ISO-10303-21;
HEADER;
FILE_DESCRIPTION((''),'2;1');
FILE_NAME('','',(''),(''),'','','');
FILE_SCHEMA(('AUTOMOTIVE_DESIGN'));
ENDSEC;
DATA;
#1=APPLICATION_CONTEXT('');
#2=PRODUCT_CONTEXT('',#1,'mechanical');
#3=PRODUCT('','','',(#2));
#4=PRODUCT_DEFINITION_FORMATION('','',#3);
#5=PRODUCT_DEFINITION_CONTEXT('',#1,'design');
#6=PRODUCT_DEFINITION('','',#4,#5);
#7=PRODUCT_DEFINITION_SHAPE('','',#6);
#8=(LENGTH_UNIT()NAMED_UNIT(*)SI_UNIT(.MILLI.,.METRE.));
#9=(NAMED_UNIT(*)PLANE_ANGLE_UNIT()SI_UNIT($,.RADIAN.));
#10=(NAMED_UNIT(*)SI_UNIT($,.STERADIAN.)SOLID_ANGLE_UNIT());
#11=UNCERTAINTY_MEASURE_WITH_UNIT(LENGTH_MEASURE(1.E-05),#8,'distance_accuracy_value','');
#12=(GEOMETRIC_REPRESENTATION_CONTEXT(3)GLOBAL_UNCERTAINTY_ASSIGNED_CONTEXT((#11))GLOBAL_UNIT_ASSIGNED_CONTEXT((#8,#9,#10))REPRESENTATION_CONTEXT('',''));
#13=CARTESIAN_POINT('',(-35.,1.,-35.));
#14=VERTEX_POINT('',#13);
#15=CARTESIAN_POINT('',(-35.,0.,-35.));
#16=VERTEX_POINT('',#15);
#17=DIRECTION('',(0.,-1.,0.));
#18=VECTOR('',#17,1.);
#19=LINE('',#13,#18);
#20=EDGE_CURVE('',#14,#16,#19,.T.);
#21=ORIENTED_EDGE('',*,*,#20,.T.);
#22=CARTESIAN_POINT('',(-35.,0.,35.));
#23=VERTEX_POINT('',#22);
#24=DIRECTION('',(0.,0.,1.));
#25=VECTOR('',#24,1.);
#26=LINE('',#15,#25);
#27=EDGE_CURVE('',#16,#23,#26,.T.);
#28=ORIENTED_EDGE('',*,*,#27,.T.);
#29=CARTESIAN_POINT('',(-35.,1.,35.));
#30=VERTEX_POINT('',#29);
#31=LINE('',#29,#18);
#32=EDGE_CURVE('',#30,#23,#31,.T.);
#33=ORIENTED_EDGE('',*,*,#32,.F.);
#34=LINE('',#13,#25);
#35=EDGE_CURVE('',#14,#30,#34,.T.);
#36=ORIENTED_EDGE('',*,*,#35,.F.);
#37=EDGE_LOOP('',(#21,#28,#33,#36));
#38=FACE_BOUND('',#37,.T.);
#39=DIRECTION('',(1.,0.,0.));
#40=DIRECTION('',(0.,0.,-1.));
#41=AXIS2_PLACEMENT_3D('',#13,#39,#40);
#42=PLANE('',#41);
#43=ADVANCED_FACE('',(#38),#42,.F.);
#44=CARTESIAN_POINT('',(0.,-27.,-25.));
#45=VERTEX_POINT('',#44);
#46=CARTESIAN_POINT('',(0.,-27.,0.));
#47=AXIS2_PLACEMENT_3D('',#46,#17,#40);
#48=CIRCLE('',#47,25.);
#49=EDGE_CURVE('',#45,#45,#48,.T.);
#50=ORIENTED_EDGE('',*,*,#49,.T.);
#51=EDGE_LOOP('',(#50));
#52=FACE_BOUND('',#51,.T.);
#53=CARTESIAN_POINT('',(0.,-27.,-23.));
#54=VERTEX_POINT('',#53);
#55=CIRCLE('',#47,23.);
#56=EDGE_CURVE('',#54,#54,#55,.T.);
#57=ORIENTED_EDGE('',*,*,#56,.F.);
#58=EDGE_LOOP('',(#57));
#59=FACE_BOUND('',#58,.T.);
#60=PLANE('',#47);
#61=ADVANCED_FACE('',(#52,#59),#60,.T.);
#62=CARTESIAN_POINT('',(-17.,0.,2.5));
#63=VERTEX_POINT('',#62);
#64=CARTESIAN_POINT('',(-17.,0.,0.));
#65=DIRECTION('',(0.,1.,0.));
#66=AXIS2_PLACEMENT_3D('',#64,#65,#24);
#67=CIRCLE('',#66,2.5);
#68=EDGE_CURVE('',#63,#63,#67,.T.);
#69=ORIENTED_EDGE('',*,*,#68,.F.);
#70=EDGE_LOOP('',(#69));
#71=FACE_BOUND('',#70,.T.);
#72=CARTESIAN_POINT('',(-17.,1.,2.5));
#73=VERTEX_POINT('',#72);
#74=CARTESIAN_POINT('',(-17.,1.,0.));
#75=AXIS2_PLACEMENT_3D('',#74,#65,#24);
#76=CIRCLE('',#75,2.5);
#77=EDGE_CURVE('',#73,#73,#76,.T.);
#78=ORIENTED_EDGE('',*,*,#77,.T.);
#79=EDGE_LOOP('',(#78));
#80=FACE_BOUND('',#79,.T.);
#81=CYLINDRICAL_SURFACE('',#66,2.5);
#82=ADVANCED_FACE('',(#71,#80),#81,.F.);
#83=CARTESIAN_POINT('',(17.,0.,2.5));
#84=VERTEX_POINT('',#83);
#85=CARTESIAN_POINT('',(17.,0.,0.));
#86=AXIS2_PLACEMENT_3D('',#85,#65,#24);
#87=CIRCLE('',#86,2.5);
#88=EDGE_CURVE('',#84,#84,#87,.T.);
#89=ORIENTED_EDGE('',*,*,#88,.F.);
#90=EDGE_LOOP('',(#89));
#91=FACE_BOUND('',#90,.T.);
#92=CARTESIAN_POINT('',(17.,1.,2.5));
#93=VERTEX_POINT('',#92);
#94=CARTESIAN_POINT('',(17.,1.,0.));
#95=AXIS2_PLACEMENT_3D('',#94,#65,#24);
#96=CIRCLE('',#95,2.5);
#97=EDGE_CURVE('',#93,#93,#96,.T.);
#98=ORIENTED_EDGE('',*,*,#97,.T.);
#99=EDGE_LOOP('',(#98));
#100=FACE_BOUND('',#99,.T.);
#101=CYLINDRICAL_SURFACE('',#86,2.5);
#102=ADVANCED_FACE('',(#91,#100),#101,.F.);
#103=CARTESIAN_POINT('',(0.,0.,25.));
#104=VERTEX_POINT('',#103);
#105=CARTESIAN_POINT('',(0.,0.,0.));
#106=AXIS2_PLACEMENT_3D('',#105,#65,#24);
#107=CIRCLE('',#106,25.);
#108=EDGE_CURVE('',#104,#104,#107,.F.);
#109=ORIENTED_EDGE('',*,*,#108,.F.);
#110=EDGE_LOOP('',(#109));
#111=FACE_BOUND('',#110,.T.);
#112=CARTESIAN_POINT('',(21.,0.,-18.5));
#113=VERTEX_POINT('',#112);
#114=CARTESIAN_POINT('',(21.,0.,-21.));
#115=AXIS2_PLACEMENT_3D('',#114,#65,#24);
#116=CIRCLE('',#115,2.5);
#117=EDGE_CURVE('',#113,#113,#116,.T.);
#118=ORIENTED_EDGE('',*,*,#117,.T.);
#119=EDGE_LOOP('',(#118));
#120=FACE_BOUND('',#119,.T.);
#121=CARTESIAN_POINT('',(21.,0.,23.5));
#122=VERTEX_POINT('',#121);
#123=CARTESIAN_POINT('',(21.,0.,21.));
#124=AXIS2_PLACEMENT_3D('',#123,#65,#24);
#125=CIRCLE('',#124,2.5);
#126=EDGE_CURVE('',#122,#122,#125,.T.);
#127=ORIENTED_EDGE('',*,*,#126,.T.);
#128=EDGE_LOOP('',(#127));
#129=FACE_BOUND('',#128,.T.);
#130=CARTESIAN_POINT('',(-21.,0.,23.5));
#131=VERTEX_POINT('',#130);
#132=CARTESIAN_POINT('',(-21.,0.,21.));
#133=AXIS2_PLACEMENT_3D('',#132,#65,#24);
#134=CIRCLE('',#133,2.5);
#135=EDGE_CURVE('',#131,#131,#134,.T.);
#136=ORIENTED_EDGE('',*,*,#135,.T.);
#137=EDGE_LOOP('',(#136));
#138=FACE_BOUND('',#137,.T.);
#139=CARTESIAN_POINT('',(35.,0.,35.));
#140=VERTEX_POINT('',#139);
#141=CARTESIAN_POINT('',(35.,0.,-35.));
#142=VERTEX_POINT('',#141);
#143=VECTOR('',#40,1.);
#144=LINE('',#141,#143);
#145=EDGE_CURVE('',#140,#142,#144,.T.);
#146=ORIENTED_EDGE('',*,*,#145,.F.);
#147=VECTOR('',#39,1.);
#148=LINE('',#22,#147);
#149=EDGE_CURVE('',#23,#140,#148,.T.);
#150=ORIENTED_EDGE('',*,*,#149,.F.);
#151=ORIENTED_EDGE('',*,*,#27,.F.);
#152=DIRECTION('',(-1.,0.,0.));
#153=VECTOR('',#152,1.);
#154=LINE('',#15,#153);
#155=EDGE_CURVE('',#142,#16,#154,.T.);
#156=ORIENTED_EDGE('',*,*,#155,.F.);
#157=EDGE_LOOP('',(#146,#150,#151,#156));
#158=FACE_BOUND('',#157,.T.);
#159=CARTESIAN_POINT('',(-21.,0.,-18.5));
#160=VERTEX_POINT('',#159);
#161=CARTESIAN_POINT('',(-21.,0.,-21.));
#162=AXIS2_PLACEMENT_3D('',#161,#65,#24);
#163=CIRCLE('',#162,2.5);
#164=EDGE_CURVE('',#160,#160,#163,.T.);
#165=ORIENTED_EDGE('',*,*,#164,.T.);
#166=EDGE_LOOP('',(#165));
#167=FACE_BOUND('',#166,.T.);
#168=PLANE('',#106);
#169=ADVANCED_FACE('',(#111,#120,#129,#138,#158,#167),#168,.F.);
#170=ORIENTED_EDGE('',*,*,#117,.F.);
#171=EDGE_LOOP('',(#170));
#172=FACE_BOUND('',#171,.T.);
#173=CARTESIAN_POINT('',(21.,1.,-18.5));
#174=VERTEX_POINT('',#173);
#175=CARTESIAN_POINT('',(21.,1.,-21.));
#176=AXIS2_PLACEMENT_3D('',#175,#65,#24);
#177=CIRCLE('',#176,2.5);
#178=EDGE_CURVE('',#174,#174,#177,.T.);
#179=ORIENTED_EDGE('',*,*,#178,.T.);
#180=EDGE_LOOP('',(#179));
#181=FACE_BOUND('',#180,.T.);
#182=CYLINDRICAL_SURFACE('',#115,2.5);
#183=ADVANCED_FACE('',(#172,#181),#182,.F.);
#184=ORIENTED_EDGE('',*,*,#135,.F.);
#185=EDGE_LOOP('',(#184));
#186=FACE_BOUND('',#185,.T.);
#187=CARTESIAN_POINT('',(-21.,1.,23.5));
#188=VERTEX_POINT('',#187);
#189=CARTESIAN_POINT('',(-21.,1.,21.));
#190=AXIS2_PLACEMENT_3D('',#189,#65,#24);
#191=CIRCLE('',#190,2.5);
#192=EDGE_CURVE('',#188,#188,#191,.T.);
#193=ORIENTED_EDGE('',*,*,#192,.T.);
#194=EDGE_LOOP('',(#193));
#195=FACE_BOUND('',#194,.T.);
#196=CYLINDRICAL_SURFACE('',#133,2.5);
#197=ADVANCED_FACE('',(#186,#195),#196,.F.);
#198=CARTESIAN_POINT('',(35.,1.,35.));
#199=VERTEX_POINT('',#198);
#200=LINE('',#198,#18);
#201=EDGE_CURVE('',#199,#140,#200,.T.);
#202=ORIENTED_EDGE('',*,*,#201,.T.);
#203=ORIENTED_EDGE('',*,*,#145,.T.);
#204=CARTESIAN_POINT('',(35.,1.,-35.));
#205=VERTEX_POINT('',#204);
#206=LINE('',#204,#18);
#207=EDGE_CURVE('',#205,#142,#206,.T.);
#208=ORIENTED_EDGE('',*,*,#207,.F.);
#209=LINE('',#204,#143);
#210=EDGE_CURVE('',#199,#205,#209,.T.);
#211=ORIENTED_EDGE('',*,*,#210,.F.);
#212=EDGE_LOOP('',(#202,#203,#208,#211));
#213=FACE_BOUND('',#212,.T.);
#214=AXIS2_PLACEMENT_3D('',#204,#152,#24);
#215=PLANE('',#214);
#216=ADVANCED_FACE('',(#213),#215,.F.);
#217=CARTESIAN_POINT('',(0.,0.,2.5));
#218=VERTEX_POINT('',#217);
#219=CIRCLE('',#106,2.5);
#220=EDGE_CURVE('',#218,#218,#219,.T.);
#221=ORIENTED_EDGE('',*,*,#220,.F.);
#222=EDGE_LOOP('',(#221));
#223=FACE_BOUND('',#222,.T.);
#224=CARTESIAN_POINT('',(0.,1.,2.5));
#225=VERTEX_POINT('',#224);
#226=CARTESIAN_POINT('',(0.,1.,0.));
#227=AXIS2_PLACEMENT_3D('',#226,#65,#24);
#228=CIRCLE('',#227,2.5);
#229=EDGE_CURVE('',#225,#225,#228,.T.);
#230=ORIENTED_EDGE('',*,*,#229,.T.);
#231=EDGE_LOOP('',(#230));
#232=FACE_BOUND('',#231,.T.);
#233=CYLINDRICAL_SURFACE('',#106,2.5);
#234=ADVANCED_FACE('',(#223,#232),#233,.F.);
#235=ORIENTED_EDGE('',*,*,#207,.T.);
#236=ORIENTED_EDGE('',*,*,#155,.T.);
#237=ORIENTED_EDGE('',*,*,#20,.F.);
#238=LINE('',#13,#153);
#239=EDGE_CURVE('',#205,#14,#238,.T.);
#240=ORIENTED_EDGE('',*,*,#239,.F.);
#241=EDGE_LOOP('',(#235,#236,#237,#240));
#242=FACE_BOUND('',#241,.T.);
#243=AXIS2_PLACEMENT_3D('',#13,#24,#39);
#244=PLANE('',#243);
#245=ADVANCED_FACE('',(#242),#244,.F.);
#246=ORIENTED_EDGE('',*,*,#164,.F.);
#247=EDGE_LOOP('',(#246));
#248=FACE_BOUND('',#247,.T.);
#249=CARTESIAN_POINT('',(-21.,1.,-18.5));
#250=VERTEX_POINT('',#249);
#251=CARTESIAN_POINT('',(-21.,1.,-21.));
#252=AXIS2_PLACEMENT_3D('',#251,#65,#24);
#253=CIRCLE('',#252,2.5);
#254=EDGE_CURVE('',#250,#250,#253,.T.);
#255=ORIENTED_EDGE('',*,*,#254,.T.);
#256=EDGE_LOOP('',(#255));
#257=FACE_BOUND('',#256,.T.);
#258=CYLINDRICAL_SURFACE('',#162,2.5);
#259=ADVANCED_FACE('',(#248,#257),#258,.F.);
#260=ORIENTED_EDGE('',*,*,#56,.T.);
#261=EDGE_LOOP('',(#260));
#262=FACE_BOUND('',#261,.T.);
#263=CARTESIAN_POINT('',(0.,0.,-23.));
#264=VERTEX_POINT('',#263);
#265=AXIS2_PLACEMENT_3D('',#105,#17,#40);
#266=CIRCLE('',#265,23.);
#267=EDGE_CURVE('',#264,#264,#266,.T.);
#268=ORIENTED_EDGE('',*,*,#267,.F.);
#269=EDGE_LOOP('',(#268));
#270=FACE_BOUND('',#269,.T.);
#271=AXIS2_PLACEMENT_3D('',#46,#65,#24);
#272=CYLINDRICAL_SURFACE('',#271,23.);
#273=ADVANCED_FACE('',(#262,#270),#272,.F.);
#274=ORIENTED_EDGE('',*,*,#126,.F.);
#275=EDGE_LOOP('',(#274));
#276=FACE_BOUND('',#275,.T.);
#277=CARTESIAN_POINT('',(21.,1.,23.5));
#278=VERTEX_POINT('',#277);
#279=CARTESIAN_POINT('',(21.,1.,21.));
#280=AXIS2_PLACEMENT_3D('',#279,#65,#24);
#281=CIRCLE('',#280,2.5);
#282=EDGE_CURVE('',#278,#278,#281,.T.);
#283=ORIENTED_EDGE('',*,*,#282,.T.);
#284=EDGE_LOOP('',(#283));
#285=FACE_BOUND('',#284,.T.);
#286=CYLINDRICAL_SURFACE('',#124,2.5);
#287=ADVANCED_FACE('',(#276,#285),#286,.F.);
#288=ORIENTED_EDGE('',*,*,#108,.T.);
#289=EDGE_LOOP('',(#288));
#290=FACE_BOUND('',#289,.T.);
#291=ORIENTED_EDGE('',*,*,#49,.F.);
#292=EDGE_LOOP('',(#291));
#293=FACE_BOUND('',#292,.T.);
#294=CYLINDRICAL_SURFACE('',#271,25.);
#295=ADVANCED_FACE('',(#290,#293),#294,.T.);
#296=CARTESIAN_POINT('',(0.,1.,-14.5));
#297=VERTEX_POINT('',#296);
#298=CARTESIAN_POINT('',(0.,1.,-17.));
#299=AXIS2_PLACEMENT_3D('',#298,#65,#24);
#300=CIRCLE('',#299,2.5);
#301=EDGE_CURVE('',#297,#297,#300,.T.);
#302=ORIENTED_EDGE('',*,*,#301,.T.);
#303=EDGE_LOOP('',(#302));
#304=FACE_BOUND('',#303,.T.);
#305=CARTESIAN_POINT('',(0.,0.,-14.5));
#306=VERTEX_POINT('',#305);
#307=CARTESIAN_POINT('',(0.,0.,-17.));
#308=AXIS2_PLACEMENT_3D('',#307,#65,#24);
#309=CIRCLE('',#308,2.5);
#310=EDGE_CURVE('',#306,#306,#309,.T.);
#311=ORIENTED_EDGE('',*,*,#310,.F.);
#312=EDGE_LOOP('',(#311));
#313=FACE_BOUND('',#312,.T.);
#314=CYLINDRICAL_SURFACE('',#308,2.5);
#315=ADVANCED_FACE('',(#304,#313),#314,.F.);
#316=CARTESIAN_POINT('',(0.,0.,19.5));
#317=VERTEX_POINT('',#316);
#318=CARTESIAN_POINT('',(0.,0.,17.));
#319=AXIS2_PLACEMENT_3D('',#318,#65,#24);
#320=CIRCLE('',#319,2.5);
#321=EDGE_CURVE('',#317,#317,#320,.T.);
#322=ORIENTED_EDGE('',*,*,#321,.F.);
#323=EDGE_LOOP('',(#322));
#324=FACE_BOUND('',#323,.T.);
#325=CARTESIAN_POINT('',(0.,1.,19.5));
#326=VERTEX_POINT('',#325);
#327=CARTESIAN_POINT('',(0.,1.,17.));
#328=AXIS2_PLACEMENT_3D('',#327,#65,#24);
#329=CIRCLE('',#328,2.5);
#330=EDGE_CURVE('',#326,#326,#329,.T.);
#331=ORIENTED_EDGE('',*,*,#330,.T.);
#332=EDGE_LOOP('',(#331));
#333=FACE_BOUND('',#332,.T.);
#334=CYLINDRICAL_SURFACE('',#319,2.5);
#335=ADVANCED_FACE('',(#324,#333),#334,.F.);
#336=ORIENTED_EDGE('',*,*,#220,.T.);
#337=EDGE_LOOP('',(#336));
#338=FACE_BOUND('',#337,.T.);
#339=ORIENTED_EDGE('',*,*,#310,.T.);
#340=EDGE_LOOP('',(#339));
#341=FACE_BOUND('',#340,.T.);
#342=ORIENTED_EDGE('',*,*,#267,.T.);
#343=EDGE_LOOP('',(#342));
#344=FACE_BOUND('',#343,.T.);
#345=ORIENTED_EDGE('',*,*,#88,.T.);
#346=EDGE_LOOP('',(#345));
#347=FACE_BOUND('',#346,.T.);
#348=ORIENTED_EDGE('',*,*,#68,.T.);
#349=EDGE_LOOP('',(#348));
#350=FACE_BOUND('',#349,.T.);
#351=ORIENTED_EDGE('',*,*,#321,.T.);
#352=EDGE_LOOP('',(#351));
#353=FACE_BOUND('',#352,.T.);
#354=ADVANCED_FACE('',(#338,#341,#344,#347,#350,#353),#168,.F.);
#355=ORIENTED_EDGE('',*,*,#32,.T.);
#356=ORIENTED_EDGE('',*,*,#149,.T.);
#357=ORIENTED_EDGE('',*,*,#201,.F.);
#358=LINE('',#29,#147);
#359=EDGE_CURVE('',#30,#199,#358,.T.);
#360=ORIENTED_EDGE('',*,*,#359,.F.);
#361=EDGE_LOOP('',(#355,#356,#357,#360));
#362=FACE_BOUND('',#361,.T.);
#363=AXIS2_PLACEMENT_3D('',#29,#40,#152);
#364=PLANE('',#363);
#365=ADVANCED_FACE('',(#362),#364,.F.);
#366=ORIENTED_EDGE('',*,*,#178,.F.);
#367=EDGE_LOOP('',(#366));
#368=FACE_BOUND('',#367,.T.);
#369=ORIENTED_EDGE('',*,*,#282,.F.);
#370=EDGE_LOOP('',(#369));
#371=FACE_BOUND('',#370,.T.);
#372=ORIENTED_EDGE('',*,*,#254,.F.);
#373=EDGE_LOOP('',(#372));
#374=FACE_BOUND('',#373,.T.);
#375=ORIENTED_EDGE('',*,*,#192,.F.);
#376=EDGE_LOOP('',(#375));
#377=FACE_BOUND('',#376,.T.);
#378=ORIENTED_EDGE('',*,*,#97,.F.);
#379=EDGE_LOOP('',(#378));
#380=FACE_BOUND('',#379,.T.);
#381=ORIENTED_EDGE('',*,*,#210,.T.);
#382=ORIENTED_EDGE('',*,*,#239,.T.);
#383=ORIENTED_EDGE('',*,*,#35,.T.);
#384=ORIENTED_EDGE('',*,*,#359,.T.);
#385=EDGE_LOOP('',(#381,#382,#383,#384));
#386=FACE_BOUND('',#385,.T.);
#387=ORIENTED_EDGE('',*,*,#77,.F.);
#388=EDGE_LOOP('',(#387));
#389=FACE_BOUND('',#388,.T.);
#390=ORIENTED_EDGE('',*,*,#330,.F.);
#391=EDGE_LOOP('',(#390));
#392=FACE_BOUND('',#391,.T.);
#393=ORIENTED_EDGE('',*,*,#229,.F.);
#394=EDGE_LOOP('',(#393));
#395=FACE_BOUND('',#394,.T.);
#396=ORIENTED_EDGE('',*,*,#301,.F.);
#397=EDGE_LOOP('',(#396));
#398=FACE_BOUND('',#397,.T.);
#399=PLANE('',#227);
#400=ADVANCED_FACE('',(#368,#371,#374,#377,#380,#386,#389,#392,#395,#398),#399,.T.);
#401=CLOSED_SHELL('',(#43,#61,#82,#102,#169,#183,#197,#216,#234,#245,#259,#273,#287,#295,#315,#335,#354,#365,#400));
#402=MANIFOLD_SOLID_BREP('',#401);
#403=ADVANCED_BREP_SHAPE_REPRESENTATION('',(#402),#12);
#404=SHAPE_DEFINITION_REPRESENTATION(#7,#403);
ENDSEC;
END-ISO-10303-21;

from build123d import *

# Parameters (mm, degrees)
SKETCH1_W           = 70
SKETCH1_H           = 70
BOSS_EXTRUDE1_DEPTH = 1
SKETCH2_R           = 25
SKETCH2_R_2         = 23
BOSS_EXTRUDE2_DEPTH = 27
SKETCH3_R           = 2.5
CUT_EXTRUDE1_DEPTH  = 1
SKETCH4_R           = 2.5
CUT_EXTRUDE2_DEPTH  = 1


with BuildPart() as part:
    # Sketch1 → Boss-Extrude1 (new body)
    with BuildSketch(Plane(origin=(0, 0, 0), x_dir=(1, 0, 0), z_dir=(0, 1, 0))):
        Rectangle(SKETCH1_W, SKETCH1_H)
    extrude(amount=BOSS_EXTRUDE1_DEPTH)

    # Sketch2 → Boss-Extrude2 (add)
    with BuildSketch(Plane.XZ):
        with Locations(Location((0, 0, 0), (0, 0, 90))):
            Circle(SKETCH2_R)
        with Locations(Location((0, 0, 0), (0, 0, 270))):
            Circle(SKETCH2_R_2, mode=Mode.SUBTRACT)
    extrude(amount=BOSS_EXTRUDE2_DEPTH)

    # Sketch3 → Cut-Extrude1 (cut)
    with BuildSketch(Plane(origin=(0, 1, 0), x_dir=(1, 0, 0), z_dir=(0, 1, 0))):
        with Locations(Location((0, 0, 0), (0, 0, 270))):
            Circle(SKETCH3_R)
        with Locations(Location((0, 17, 0), (0, 0, 270))):
            Circle(SKETCH3_R)
        with Locations(Location((17, 0, 0), (0, 0, 270))):
            Circle(SKETCH3_R)
        with Locations(Location((0, -17, 0), (0, 0, 270))):
            Circle(SKETCH3_R)
        with Locations(Location((-17, 0, 0), (0, 0, 270))):
            Circle(SKETCH3_R)
    extrude(amount=-CUT_EXTRUDE1_DEPTH, mode=Mode.SUBTRACT)

    # Sketch4 → Cut-Extrude2 (cut)
    with BuildSketch(Plane(origin=(0, 1, 0), x_dir=(1, 0, 0), z_dir=(0, 1, 0))):
        with Locations(Location((21, 21, 0), (0, 0, 270))):
            Circle(SKETCH4_R)
        with Locations(Location((21, -21, 0), (0, 0, 270))):
            Circle(SKETCH4_R)
        with Locations(Location((-21, 21, 0), (0, 0, 270))):
            Circle(SKETCH4_R)
        with Locations(Location((-21, -21, 0), (0, 0, 270))):
            Circle(SKETCH4_R)
    extrude(amount=-CUT_EXTRUDE2_DEPTH, mode=Mode.SUBTRACT)


solid = part.part
